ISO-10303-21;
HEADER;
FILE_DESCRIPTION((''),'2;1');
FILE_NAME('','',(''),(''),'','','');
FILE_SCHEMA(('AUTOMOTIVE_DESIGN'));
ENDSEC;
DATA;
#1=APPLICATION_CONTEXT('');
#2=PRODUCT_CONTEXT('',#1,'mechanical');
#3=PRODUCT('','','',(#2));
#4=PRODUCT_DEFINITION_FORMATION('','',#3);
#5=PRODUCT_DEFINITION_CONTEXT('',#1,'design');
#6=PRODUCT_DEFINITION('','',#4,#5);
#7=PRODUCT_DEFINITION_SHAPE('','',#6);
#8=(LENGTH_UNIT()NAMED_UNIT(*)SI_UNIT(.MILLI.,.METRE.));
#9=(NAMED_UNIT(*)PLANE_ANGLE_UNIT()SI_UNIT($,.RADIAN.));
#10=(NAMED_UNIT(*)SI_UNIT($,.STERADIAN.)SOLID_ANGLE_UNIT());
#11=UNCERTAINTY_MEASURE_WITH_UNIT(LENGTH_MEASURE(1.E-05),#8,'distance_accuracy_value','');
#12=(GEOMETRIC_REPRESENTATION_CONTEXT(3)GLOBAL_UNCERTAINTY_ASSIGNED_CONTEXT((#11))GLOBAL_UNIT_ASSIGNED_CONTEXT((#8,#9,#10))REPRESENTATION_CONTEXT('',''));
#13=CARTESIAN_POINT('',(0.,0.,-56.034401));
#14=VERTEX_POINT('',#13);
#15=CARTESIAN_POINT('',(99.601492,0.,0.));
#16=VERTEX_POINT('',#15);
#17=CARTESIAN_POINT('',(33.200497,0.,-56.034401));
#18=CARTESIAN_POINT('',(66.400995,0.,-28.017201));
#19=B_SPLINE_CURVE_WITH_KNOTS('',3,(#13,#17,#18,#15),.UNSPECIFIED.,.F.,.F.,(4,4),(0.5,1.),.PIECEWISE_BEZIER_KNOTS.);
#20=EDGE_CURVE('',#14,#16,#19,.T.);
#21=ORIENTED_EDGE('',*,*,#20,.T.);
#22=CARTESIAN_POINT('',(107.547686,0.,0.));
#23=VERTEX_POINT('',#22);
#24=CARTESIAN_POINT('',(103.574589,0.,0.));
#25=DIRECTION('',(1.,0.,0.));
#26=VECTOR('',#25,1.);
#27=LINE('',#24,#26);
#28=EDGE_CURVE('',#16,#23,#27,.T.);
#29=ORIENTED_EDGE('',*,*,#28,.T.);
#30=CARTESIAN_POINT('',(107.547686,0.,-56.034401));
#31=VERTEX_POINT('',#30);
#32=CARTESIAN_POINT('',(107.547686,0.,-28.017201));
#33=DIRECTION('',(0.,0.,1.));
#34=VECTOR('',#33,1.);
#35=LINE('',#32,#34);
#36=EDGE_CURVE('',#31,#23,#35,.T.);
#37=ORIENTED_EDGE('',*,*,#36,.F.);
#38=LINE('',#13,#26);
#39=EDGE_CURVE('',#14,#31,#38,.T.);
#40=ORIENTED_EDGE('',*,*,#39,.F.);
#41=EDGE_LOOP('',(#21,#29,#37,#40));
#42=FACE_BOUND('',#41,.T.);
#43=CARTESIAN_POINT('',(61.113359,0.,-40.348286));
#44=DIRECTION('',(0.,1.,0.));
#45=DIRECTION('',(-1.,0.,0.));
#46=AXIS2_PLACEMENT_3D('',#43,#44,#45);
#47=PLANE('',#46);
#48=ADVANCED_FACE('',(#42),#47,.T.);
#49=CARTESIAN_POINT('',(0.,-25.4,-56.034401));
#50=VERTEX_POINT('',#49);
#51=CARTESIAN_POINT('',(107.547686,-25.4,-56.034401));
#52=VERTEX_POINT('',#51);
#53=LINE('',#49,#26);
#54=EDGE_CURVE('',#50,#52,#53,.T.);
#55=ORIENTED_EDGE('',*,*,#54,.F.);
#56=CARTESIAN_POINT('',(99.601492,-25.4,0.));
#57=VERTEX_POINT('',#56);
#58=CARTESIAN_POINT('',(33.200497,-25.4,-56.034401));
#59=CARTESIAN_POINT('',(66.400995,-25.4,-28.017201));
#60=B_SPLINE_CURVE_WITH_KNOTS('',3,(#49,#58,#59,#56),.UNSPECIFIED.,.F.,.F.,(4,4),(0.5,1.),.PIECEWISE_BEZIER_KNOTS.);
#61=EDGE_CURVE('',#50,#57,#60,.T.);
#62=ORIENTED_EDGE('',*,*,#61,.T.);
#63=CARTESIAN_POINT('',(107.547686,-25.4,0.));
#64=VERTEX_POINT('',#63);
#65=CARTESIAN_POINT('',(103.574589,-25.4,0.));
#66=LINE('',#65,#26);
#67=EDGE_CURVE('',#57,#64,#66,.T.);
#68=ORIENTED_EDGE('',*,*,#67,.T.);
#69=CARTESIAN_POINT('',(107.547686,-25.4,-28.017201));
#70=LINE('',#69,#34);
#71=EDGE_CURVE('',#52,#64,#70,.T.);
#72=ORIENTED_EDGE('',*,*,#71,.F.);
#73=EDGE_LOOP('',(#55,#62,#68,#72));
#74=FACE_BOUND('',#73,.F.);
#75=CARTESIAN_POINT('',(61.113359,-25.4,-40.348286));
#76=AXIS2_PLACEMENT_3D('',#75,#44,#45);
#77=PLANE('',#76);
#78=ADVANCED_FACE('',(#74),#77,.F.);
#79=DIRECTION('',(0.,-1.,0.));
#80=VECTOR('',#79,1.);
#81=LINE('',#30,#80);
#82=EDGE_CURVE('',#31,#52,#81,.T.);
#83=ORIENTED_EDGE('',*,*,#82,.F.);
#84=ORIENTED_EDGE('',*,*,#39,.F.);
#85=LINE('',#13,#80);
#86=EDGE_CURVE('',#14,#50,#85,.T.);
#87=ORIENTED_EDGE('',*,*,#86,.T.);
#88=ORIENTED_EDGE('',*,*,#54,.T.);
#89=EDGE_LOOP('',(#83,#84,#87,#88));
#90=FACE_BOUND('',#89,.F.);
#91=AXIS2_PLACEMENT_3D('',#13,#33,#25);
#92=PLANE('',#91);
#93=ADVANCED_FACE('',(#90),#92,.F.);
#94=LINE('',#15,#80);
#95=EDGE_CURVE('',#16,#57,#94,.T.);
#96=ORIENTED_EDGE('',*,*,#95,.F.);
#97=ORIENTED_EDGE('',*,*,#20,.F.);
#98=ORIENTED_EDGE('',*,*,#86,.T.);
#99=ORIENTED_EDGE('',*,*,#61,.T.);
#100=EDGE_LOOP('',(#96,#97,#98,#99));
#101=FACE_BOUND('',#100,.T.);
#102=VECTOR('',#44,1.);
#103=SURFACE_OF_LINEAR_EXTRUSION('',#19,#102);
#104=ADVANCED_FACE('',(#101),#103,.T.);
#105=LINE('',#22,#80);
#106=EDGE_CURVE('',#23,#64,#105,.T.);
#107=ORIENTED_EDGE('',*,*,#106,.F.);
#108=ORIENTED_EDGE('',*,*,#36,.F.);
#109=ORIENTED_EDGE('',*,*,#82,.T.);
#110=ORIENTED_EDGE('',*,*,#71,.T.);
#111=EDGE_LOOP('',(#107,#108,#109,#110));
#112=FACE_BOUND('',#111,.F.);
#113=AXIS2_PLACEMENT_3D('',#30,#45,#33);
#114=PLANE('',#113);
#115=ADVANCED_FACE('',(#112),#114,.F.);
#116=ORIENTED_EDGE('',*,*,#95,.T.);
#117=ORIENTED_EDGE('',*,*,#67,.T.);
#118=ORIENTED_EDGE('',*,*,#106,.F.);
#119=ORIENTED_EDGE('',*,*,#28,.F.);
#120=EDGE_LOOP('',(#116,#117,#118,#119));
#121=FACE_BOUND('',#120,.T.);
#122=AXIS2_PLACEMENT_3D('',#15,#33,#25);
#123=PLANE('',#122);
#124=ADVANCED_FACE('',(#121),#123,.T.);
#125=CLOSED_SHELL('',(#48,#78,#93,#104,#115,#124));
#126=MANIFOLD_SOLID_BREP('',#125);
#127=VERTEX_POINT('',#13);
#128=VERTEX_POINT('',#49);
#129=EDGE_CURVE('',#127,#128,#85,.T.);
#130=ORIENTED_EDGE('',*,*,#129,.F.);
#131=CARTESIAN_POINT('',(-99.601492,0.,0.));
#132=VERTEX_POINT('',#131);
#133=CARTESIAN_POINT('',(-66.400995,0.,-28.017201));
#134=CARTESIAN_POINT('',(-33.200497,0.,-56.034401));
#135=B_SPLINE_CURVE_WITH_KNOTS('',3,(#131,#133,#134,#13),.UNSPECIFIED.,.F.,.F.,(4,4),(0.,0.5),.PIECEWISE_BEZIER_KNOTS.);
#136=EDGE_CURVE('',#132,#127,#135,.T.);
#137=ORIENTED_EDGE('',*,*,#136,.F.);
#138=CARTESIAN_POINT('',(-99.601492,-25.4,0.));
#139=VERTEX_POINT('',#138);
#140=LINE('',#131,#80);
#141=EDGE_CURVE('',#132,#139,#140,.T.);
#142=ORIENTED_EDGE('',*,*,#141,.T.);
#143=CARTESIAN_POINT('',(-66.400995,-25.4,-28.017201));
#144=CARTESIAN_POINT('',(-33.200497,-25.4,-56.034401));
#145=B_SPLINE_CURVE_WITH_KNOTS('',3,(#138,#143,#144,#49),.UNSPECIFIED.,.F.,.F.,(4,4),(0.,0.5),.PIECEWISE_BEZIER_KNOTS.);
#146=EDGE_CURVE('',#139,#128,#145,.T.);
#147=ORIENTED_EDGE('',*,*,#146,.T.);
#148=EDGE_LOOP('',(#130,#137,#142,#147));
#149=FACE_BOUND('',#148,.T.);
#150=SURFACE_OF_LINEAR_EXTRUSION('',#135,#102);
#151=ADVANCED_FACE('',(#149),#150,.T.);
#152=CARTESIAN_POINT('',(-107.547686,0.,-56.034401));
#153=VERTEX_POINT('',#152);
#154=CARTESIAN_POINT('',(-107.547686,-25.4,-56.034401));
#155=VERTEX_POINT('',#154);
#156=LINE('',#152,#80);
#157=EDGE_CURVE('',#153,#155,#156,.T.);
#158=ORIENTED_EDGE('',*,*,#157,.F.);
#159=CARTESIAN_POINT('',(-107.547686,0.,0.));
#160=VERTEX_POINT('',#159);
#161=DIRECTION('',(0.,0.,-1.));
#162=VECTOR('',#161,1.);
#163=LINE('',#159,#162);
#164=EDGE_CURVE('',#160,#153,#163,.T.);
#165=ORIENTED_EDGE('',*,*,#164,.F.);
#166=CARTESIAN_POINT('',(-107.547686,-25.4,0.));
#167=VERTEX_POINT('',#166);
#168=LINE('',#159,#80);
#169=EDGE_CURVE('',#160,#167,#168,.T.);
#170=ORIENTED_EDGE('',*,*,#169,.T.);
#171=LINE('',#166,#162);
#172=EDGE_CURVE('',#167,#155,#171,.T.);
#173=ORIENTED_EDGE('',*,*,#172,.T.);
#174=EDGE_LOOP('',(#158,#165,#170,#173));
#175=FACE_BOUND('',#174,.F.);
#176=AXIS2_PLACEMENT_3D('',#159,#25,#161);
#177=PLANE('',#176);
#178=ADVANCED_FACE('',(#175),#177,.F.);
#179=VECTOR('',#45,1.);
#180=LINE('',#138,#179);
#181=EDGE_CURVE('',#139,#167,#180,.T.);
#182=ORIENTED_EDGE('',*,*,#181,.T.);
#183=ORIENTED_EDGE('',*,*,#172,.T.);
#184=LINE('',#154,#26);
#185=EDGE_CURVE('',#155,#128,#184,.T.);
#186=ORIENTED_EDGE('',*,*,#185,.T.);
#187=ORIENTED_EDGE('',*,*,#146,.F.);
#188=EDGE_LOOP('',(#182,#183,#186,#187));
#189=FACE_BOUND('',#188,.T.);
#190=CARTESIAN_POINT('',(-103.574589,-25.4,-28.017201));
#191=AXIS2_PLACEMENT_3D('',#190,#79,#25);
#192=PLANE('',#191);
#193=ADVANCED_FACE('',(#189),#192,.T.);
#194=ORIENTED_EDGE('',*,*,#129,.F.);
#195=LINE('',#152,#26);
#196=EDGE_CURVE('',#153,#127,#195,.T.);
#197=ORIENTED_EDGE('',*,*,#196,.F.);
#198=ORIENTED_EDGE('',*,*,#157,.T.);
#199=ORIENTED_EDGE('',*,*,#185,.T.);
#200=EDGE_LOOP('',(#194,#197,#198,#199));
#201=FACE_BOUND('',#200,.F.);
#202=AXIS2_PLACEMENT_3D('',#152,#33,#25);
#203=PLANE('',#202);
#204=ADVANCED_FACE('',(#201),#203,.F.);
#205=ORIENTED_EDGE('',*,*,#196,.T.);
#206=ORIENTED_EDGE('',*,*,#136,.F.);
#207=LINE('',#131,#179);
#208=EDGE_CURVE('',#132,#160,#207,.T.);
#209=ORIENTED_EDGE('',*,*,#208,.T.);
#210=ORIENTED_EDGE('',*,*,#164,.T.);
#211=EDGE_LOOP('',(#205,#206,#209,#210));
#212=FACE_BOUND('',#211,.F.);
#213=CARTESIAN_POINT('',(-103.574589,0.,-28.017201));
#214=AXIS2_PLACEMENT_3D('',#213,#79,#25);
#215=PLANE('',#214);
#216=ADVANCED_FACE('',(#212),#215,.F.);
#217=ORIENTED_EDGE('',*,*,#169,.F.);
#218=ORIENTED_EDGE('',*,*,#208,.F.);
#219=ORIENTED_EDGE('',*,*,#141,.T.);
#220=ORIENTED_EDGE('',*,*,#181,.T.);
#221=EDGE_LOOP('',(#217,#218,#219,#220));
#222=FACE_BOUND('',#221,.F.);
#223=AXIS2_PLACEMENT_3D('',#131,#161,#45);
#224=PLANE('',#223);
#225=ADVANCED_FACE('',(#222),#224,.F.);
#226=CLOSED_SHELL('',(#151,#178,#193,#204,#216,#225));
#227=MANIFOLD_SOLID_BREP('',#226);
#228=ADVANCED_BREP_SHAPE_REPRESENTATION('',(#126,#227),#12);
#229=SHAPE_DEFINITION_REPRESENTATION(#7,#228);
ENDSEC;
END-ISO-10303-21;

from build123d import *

# Parameters (mm, degrees)
F1_DEPTH = 25.4
F0_W     = 7.9461932182
F0_H     = 56.0344010592


with BuildPart() as f1:
    # F0 (on Front) → F1 (new body)
    with BuildSketch(Plane.XZ):
        Polygon((-99.6014922857, -2.6030649897), (-99.6014922857, 0), (-107.547685504, 0), (-107.547685504, -56.0344010592), (-99.6014922857, -56.0344010592), align=None)
        with BuildLine():
            add(Edge.make_bspline(
                [(-99.6014922857, 0), (-66.4009948572, -28.0172005296), (-33.2004974052, -56.0344010789), (4.68e-08, -56.0344010592)],
                knots=[0, 0, 0, 0, 0.5, 0.5, 0.5, 0.5], degree=3))
            Line((-99.6014922857, 0), (-99.6014922857, -2.6030649897))
            Line((-99.6014922857, -2.6030649897), (-99.6014922857, -56.0344010592))
            Line((-99.6014922857, -56.0344010592), (7.02e-08, -56.0344010592))
        make_face()
    extrude(amount=F1_DEPTH)


with BuildPart() as f1b:
    # F0 (on Front) → F1, piece 2 (new body)
    with BuildSketch(Plane.XZ):
        with BuildLine():
            add(Edge.make_bspline(
                [(4.68e-08, -56.0344010592), (33.200497452, -56.0344010394), (66.4009948572, -28.0172005296), (99.6014922857, 0)],
                knots=[0.5, 0.5, 0.5, 0.5, 1, 1, 1, 1], degree=3))
            Line((7.02e-08, -56.0344010592), (99.6014922857, -56.0344010592))
            Line((99.6014922857, -56.0344010592), (99.6014922857, 0))
        make_face()
        with Locations((103.5745888948, -28.0172005296)):
            Rectangle(F0_W, F0_H)
    extrude(amount=F1_DEPTH)


solid = Compound([f1.part, f1b.part])
